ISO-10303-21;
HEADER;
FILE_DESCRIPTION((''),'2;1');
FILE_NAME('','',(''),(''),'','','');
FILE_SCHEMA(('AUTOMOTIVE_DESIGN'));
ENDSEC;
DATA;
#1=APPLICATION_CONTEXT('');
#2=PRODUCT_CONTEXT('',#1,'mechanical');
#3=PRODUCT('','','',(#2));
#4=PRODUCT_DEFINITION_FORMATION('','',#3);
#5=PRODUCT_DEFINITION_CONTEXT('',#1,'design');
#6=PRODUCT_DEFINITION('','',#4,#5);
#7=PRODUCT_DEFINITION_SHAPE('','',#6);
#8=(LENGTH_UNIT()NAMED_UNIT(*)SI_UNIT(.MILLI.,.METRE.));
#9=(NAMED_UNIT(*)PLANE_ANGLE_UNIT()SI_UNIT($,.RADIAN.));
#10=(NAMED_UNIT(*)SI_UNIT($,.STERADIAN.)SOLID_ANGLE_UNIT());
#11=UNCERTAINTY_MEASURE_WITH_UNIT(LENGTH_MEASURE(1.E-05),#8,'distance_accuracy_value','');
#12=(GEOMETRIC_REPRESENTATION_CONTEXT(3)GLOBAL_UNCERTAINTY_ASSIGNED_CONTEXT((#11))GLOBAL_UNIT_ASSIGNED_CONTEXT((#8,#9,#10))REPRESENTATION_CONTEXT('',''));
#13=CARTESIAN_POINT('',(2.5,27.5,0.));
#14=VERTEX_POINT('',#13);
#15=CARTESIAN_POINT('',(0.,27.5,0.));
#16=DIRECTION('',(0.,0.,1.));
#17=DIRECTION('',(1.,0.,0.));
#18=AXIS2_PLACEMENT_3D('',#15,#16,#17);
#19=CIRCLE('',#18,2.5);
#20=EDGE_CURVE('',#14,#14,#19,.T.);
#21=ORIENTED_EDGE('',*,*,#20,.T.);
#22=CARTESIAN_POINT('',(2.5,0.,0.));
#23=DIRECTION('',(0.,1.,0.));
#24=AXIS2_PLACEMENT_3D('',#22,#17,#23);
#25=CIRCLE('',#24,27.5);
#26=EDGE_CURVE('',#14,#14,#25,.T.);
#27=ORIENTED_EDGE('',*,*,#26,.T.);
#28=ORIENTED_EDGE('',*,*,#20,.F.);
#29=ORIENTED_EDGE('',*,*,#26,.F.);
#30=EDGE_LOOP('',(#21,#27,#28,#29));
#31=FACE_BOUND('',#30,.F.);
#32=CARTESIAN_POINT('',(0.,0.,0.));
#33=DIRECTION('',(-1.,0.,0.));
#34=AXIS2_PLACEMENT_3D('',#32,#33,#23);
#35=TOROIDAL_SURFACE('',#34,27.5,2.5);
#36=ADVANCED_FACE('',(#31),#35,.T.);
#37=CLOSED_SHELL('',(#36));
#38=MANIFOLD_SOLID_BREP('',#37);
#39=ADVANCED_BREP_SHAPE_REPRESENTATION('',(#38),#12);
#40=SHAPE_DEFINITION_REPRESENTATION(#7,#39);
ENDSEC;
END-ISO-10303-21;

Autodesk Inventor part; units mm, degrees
ref_plane "YZ Plane" through (0, 0, 0) normal (1, 0, 0) x (0, 1, 0)
ref_plane "XZ Plane" through (0, 0, 0) normal (0, 1, 0) x (-1, 0, 0)
ref_plane "XY Plane" through (0, 0, 0) normal (0, 0, 1) x (1, 0, 0)
sketch "Skizze1" plane through (0, 0, 0) normal (0, 0, 1) x (1, 0, 0)
  line L0 (-14.8726, 0) -> (10.6884, 0)
  circle A0 centre (0, 27.5) radius 2.5
  line L1 (0, 0) -> (0, 27.5) construction
  dimension "d0" = 5
  dimension "d1" = 55
revolve "Umdrehung1" add sketch "Skizze1" angle 360 about axis through (-14.8726, 0, 0) along (1, 0, 0)
properties part number "sealing_ring_V1" material "Gummi"
